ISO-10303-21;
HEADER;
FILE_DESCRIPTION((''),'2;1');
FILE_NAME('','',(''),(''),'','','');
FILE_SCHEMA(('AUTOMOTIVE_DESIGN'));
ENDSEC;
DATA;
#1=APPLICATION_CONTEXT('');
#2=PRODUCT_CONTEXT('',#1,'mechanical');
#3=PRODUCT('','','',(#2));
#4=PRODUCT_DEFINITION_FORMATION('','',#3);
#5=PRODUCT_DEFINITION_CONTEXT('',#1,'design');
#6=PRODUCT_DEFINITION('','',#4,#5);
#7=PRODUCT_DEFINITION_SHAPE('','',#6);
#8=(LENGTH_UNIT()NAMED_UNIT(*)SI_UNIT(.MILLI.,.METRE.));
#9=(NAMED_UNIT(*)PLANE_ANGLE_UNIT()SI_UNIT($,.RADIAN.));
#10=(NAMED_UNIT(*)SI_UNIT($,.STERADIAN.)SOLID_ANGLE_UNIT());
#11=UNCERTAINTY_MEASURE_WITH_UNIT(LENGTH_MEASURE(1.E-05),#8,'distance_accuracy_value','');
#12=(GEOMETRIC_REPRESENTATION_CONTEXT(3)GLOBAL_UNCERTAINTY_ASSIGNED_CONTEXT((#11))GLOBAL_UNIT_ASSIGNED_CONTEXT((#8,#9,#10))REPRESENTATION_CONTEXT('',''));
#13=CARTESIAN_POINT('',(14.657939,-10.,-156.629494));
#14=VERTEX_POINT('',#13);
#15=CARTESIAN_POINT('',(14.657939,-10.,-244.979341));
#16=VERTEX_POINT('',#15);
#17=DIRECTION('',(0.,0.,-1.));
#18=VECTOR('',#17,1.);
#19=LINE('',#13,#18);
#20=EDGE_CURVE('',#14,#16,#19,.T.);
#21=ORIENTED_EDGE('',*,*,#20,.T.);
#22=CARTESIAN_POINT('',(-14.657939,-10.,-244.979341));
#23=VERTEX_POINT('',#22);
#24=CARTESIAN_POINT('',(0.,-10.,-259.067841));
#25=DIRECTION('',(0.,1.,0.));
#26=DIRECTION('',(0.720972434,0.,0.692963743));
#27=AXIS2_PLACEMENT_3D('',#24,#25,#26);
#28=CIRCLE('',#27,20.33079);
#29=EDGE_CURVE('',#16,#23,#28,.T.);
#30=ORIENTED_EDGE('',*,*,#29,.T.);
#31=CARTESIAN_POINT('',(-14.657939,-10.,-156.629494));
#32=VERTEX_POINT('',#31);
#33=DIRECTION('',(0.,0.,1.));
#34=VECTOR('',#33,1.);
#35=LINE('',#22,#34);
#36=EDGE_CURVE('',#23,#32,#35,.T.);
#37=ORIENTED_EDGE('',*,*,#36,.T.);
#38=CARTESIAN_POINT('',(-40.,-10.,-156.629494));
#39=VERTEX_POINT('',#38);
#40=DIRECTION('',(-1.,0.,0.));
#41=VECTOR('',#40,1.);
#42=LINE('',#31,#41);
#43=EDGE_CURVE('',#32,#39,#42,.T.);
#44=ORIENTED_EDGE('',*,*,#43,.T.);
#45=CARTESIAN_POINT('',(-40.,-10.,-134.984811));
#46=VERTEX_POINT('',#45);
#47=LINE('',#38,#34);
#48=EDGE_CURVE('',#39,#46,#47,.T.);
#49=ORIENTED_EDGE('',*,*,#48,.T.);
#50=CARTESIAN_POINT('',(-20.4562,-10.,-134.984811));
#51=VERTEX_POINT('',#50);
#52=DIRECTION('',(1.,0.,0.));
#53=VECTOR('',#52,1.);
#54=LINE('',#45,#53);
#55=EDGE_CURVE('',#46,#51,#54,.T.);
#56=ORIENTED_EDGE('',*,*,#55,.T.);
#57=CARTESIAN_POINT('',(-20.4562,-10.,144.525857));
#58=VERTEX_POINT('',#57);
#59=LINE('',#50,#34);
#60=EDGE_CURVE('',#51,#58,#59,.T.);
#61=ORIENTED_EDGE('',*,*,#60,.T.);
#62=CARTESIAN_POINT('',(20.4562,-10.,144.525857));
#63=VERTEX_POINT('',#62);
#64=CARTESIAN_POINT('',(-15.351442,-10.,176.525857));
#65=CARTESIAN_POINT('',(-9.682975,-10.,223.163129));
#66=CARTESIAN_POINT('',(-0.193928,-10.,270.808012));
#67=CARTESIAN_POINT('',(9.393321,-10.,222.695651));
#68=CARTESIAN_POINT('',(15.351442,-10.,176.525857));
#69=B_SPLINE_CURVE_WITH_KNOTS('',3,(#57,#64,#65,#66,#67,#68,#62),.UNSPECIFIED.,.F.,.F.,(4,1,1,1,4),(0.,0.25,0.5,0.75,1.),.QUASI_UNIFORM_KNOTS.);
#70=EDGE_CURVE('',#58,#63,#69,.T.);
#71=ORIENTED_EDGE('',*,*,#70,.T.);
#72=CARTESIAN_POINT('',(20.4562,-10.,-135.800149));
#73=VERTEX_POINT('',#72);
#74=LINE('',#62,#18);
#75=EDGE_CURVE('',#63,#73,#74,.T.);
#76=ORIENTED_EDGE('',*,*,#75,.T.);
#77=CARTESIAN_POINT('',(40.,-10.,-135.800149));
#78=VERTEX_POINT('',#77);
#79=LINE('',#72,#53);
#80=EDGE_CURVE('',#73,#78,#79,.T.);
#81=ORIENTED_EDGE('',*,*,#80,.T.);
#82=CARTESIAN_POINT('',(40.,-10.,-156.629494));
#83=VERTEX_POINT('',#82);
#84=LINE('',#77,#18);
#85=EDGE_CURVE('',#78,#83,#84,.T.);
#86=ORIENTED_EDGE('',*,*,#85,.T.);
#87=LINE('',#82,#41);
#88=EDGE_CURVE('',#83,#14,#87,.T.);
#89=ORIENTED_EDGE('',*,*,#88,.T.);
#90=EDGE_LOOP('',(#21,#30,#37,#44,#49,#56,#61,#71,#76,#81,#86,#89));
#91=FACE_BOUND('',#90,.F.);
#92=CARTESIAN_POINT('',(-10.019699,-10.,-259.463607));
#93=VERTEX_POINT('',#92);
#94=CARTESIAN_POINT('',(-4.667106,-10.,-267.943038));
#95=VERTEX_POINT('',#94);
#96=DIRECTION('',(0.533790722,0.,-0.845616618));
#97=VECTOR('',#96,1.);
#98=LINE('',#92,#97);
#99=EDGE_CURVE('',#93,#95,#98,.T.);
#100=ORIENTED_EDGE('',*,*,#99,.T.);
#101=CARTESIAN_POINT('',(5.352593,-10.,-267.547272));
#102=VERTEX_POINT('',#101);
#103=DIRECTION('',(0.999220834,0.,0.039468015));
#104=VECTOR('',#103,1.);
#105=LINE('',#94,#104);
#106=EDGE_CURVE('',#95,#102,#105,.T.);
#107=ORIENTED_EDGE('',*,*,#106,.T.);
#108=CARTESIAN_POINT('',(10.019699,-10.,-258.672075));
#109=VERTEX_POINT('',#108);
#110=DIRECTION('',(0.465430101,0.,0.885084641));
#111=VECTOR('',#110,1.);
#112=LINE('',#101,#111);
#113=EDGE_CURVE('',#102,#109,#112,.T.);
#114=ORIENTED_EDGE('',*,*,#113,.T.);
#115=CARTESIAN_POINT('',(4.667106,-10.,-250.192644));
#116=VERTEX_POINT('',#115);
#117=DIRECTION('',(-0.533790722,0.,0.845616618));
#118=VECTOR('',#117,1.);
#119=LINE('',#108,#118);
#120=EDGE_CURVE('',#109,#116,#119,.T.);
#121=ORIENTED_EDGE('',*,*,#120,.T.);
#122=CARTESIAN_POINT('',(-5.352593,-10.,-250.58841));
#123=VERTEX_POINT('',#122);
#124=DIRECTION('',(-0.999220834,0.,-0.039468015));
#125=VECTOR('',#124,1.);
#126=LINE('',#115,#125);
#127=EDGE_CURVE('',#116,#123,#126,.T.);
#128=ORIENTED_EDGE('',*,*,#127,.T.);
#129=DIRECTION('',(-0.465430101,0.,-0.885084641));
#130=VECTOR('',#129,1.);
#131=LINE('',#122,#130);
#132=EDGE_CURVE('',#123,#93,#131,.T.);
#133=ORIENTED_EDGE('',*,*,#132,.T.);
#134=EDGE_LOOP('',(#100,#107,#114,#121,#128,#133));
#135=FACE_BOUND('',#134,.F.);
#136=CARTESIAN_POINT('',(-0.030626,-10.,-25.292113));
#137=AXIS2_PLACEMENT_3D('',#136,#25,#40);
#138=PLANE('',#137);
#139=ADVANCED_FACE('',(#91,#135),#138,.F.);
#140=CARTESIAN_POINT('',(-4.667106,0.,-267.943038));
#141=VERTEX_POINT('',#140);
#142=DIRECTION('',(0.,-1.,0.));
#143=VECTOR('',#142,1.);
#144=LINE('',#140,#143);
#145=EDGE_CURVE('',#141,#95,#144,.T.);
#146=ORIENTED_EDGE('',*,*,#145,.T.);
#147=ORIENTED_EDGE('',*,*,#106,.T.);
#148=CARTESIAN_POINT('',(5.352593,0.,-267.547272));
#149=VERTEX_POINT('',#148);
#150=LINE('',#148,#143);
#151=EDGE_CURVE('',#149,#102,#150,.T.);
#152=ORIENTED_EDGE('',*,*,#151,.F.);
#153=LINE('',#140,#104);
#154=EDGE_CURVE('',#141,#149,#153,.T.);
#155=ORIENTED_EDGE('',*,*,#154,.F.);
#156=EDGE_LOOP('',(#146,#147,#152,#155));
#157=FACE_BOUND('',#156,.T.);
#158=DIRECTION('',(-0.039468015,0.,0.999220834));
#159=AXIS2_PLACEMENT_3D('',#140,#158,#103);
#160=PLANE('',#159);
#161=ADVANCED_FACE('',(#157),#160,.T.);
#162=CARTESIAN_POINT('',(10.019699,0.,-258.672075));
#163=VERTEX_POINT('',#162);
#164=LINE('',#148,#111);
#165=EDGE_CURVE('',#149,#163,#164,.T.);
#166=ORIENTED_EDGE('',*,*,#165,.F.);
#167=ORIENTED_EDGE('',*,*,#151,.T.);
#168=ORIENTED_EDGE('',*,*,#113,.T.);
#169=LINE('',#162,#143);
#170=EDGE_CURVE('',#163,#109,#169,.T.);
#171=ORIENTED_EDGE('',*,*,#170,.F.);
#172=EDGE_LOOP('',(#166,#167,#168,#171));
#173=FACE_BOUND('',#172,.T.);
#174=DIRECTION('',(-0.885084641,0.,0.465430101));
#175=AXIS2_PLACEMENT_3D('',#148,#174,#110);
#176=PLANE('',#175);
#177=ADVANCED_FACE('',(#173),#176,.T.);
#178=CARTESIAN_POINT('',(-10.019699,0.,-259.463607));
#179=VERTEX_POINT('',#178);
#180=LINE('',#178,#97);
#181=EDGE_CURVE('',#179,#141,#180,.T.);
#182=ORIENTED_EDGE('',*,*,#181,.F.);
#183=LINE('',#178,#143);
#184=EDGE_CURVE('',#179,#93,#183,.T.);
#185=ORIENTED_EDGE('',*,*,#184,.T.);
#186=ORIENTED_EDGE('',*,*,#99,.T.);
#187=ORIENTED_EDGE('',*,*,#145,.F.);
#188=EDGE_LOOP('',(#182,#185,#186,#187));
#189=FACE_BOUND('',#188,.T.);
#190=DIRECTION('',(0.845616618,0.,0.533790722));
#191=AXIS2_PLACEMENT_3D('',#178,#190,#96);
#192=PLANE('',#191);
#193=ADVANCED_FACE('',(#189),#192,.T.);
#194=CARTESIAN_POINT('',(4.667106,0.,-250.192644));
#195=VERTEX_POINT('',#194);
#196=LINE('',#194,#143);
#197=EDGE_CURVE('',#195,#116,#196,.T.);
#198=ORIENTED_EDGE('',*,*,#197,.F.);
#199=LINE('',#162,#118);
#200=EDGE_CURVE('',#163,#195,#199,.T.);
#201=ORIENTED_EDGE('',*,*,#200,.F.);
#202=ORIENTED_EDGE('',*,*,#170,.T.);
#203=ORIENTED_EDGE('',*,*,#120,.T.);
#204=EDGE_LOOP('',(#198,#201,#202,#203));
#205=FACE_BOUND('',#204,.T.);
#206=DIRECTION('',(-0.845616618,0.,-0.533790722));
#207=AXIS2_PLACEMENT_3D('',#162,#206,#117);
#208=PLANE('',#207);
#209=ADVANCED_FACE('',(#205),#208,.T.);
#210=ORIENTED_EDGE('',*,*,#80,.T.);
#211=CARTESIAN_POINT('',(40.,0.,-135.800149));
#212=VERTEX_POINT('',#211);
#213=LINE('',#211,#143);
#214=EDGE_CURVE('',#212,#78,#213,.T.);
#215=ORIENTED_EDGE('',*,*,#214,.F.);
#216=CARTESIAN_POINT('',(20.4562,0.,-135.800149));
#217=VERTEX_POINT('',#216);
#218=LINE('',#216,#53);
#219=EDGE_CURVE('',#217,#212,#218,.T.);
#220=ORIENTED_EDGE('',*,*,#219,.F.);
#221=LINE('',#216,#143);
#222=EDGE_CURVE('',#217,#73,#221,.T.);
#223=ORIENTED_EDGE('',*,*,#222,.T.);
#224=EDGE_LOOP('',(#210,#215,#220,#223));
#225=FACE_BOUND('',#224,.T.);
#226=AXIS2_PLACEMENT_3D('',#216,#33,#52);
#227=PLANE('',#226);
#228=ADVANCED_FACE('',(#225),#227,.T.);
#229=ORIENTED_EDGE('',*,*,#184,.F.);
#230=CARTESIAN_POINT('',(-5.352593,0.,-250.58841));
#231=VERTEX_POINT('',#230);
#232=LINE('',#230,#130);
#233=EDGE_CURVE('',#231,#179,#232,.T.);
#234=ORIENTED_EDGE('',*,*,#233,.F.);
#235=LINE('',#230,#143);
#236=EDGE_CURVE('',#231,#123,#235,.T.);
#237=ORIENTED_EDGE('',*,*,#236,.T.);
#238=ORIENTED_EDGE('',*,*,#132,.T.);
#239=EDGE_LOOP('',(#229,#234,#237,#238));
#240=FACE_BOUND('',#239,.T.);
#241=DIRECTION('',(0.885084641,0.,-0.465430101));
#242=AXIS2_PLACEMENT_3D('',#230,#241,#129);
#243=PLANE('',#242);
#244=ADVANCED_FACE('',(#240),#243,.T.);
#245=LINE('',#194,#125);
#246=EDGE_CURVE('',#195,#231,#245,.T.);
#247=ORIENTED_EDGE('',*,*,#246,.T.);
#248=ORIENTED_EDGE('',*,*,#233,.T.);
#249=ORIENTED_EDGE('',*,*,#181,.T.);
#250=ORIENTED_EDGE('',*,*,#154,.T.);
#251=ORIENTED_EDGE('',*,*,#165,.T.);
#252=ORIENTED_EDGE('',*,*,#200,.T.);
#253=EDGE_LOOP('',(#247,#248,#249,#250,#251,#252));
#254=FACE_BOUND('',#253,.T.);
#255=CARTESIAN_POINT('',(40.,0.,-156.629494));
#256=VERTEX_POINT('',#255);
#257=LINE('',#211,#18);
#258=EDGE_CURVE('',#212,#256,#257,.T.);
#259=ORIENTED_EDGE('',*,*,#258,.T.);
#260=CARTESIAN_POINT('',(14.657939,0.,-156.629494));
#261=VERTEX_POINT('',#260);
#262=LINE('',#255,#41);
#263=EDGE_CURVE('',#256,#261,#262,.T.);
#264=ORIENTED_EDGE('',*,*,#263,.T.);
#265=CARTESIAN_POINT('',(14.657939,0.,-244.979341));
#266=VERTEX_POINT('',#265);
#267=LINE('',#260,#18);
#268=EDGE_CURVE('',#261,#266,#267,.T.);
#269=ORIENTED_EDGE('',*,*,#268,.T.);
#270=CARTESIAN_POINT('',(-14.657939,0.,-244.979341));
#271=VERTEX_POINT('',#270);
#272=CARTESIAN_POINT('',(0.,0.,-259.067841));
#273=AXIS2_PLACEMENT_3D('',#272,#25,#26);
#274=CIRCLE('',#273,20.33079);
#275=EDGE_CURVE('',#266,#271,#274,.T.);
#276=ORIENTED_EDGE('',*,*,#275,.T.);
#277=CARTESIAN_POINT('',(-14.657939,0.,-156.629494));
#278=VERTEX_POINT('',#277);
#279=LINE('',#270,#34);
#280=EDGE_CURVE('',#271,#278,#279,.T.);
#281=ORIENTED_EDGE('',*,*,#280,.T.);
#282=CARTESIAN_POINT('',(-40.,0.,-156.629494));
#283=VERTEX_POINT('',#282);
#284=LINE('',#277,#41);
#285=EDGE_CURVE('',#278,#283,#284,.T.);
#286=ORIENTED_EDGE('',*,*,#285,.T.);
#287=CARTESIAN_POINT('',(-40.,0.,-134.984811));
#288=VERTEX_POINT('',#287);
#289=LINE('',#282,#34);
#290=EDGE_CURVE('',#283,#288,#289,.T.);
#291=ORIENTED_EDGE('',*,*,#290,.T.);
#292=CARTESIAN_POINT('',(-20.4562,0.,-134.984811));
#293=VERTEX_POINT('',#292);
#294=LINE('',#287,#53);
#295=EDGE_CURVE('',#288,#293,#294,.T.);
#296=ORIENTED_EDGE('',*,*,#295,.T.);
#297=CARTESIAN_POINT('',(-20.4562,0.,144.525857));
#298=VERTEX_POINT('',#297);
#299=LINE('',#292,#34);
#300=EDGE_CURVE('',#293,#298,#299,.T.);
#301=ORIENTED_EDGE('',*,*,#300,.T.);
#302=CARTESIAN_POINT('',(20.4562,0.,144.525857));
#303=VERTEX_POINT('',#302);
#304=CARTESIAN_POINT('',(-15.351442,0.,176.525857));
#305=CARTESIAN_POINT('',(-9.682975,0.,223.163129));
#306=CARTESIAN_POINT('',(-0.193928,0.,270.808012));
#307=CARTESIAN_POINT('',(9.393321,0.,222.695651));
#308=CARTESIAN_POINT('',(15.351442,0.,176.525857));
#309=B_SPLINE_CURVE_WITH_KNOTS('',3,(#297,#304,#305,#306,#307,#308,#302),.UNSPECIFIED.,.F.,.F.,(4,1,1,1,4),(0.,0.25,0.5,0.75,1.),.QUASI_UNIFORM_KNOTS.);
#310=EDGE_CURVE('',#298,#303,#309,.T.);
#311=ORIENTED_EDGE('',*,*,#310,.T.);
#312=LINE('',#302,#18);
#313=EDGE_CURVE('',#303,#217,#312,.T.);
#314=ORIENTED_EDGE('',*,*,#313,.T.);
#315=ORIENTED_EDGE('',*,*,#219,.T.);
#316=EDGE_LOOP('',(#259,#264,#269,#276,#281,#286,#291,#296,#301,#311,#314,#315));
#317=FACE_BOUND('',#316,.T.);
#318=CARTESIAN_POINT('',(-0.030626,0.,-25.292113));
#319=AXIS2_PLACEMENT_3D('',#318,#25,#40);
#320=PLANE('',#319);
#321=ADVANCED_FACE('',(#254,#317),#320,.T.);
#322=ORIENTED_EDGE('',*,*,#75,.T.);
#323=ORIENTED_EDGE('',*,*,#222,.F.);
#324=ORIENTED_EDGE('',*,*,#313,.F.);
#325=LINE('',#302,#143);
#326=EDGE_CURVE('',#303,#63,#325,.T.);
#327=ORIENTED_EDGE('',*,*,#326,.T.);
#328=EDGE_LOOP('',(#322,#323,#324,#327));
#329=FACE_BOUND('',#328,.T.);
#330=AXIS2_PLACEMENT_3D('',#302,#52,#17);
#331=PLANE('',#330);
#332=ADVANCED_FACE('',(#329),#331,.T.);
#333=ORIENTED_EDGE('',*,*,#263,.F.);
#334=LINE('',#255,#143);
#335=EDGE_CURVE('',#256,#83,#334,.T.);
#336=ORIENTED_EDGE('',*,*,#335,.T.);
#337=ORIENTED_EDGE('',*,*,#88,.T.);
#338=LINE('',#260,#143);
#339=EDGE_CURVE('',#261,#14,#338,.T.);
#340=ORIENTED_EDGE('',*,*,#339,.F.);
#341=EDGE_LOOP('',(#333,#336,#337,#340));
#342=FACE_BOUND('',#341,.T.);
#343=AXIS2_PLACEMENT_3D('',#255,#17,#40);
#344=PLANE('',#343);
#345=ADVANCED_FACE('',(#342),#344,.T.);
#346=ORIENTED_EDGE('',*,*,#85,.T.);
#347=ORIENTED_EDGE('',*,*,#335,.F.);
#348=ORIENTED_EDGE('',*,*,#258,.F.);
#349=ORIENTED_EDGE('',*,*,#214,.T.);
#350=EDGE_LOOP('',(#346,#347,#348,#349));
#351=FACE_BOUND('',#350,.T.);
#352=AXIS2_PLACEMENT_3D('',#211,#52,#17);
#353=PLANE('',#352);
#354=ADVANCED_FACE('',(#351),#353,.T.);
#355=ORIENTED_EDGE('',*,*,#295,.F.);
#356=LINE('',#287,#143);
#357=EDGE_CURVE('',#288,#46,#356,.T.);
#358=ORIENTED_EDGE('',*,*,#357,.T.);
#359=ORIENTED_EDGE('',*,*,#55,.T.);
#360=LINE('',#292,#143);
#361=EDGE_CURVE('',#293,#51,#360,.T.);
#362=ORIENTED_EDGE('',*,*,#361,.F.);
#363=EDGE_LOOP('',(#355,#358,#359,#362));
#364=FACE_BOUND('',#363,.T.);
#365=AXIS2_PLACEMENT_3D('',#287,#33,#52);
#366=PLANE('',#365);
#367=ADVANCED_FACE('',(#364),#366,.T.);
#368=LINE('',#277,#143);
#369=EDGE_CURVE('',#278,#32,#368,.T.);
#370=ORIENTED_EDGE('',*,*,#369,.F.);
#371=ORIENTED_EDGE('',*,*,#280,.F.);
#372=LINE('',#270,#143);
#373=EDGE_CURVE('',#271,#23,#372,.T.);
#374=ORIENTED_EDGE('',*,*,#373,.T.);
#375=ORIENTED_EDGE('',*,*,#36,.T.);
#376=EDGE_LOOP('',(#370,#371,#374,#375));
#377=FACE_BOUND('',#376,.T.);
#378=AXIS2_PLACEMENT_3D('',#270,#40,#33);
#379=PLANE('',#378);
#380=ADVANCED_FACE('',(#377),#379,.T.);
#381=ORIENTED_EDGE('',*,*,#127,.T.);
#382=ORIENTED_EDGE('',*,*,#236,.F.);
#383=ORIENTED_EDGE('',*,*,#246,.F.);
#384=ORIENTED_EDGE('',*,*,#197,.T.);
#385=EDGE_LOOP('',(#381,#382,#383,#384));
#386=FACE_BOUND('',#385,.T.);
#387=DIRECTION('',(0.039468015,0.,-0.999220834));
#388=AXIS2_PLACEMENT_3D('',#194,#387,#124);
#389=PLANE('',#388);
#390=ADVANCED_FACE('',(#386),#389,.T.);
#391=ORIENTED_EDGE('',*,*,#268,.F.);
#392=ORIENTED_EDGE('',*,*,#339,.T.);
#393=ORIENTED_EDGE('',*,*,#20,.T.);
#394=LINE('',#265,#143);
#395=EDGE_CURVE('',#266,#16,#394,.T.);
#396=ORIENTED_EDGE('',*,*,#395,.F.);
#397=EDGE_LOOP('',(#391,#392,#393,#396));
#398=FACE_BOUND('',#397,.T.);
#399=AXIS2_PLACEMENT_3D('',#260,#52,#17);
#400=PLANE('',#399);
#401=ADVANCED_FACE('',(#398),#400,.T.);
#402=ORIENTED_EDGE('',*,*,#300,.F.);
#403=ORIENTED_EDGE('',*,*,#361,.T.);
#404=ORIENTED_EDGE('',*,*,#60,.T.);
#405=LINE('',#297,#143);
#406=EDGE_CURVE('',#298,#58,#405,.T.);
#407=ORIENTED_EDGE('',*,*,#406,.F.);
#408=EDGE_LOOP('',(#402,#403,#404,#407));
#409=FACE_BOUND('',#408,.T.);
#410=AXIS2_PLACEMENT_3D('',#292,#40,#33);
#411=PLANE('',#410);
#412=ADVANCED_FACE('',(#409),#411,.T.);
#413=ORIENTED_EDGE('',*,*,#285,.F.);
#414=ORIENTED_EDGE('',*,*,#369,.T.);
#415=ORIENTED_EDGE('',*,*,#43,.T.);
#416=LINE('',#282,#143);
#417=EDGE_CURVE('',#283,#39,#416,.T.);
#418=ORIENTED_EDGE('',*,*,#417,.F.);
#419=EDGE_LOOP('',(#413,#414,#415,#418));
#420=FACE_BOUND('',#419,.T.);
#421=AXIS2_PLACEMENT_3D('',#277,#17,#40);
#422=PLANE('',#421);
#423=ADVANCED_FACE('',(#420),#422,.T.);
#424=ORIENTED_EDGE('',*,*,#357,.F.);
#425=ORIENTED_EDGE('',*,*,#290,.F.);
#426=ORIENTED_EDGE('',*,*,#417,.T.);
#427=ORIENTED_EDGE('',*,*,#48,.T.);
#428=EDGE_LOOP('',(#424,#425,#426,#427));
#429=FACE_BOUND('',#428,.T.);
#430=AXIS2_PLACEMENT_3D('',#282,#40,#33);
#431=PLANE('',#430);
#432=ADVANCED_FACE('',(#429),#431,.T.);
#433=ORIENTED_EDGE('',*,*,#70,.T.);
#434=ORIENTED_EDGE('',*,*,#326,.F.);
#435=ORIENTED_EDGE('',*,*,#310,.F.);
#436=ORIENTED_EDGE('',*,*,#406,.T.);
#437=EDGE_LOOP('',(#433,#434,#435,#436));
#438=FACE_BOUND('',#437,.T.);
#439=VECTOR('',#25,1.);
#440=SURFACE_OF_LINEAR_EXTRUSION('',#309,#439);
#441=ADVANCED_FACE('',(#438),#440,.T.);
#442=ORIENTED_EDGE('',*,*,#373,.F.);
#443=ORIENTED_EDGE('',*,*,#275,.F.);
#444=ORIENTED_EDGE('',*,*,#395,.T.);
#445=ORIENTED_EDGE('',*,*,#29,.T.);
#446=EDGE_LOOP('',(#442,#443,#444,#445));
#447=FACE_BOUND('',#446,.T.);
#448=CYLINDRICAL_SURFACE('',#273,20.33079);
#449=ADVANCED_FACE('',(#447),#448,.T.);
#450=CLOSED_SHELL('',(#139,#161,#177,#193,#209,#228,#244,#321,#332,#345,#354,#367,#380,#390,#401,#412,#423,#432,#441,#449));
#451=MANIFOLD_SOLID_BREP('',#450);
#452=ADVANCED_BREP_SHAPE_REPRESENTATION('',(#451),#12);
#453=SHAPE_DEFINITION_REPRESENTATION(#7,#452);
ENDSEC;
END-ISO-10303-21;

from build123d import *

# Parameters (mm, degrees)
PAD_DEPTH = 10


with BuildPart() as part:
    # Sketch → Pad (new body)
    with BuildSketch(Plane.XZ):
        with BuildLine():
            Line((-20.4562, -134.984811), (-20.4562, 144.525857))
            add(Edge.make_bspline(
                [(-20.4562, 144.525857), (-15.351442, 176.525857), (-9.682975, 223.163129), (-0.193928, 270.808012), (9.393321, 222.695651), (15.351442, 176.525857), (20.4562, 144.525857)],
                knots=[0, 0, 0, 0, 0.25, 0.5, 0.75, 1, 1, 1, 1], degree=3))
            Line((20.4562, 144.525857), (20.4562, -135.800149))
            Line((20.4562, -135.800149), (40, -135.800149))
            Line((40, -135.800149), (40, -156.629494))
            Line((40, -156.629494), (14.657939, -156.629494))
            Line((14.657939, -156.629494), (14.657939, -244.979341))
            ThreePointArc((14.657939, -244.979341), (0, -279.398631), (-14.657939, -244.979341))
            Line((-14.657939, -244.979341), (-14.657939, -156.629494))
            Line((-14.657939, -156.629494), (-40, -156.629494))
            Line((-40, -156.629494), (-40, -134.984811))
            Line((-40, -134.984811), (-20.4562, -134.984811))
        make_face()
        Polygon((5.352593, -267.547272), (10.019699, -258.672075), (4.667106, -250.192644), (-5.352593, -250.58841), (-10.019699, -259.463607), (-4.667106, -267.943038), align=None, mode=Mode.SUBTRACT)
    extrude(amount=PAD_DEPTH)


solid = part.part
